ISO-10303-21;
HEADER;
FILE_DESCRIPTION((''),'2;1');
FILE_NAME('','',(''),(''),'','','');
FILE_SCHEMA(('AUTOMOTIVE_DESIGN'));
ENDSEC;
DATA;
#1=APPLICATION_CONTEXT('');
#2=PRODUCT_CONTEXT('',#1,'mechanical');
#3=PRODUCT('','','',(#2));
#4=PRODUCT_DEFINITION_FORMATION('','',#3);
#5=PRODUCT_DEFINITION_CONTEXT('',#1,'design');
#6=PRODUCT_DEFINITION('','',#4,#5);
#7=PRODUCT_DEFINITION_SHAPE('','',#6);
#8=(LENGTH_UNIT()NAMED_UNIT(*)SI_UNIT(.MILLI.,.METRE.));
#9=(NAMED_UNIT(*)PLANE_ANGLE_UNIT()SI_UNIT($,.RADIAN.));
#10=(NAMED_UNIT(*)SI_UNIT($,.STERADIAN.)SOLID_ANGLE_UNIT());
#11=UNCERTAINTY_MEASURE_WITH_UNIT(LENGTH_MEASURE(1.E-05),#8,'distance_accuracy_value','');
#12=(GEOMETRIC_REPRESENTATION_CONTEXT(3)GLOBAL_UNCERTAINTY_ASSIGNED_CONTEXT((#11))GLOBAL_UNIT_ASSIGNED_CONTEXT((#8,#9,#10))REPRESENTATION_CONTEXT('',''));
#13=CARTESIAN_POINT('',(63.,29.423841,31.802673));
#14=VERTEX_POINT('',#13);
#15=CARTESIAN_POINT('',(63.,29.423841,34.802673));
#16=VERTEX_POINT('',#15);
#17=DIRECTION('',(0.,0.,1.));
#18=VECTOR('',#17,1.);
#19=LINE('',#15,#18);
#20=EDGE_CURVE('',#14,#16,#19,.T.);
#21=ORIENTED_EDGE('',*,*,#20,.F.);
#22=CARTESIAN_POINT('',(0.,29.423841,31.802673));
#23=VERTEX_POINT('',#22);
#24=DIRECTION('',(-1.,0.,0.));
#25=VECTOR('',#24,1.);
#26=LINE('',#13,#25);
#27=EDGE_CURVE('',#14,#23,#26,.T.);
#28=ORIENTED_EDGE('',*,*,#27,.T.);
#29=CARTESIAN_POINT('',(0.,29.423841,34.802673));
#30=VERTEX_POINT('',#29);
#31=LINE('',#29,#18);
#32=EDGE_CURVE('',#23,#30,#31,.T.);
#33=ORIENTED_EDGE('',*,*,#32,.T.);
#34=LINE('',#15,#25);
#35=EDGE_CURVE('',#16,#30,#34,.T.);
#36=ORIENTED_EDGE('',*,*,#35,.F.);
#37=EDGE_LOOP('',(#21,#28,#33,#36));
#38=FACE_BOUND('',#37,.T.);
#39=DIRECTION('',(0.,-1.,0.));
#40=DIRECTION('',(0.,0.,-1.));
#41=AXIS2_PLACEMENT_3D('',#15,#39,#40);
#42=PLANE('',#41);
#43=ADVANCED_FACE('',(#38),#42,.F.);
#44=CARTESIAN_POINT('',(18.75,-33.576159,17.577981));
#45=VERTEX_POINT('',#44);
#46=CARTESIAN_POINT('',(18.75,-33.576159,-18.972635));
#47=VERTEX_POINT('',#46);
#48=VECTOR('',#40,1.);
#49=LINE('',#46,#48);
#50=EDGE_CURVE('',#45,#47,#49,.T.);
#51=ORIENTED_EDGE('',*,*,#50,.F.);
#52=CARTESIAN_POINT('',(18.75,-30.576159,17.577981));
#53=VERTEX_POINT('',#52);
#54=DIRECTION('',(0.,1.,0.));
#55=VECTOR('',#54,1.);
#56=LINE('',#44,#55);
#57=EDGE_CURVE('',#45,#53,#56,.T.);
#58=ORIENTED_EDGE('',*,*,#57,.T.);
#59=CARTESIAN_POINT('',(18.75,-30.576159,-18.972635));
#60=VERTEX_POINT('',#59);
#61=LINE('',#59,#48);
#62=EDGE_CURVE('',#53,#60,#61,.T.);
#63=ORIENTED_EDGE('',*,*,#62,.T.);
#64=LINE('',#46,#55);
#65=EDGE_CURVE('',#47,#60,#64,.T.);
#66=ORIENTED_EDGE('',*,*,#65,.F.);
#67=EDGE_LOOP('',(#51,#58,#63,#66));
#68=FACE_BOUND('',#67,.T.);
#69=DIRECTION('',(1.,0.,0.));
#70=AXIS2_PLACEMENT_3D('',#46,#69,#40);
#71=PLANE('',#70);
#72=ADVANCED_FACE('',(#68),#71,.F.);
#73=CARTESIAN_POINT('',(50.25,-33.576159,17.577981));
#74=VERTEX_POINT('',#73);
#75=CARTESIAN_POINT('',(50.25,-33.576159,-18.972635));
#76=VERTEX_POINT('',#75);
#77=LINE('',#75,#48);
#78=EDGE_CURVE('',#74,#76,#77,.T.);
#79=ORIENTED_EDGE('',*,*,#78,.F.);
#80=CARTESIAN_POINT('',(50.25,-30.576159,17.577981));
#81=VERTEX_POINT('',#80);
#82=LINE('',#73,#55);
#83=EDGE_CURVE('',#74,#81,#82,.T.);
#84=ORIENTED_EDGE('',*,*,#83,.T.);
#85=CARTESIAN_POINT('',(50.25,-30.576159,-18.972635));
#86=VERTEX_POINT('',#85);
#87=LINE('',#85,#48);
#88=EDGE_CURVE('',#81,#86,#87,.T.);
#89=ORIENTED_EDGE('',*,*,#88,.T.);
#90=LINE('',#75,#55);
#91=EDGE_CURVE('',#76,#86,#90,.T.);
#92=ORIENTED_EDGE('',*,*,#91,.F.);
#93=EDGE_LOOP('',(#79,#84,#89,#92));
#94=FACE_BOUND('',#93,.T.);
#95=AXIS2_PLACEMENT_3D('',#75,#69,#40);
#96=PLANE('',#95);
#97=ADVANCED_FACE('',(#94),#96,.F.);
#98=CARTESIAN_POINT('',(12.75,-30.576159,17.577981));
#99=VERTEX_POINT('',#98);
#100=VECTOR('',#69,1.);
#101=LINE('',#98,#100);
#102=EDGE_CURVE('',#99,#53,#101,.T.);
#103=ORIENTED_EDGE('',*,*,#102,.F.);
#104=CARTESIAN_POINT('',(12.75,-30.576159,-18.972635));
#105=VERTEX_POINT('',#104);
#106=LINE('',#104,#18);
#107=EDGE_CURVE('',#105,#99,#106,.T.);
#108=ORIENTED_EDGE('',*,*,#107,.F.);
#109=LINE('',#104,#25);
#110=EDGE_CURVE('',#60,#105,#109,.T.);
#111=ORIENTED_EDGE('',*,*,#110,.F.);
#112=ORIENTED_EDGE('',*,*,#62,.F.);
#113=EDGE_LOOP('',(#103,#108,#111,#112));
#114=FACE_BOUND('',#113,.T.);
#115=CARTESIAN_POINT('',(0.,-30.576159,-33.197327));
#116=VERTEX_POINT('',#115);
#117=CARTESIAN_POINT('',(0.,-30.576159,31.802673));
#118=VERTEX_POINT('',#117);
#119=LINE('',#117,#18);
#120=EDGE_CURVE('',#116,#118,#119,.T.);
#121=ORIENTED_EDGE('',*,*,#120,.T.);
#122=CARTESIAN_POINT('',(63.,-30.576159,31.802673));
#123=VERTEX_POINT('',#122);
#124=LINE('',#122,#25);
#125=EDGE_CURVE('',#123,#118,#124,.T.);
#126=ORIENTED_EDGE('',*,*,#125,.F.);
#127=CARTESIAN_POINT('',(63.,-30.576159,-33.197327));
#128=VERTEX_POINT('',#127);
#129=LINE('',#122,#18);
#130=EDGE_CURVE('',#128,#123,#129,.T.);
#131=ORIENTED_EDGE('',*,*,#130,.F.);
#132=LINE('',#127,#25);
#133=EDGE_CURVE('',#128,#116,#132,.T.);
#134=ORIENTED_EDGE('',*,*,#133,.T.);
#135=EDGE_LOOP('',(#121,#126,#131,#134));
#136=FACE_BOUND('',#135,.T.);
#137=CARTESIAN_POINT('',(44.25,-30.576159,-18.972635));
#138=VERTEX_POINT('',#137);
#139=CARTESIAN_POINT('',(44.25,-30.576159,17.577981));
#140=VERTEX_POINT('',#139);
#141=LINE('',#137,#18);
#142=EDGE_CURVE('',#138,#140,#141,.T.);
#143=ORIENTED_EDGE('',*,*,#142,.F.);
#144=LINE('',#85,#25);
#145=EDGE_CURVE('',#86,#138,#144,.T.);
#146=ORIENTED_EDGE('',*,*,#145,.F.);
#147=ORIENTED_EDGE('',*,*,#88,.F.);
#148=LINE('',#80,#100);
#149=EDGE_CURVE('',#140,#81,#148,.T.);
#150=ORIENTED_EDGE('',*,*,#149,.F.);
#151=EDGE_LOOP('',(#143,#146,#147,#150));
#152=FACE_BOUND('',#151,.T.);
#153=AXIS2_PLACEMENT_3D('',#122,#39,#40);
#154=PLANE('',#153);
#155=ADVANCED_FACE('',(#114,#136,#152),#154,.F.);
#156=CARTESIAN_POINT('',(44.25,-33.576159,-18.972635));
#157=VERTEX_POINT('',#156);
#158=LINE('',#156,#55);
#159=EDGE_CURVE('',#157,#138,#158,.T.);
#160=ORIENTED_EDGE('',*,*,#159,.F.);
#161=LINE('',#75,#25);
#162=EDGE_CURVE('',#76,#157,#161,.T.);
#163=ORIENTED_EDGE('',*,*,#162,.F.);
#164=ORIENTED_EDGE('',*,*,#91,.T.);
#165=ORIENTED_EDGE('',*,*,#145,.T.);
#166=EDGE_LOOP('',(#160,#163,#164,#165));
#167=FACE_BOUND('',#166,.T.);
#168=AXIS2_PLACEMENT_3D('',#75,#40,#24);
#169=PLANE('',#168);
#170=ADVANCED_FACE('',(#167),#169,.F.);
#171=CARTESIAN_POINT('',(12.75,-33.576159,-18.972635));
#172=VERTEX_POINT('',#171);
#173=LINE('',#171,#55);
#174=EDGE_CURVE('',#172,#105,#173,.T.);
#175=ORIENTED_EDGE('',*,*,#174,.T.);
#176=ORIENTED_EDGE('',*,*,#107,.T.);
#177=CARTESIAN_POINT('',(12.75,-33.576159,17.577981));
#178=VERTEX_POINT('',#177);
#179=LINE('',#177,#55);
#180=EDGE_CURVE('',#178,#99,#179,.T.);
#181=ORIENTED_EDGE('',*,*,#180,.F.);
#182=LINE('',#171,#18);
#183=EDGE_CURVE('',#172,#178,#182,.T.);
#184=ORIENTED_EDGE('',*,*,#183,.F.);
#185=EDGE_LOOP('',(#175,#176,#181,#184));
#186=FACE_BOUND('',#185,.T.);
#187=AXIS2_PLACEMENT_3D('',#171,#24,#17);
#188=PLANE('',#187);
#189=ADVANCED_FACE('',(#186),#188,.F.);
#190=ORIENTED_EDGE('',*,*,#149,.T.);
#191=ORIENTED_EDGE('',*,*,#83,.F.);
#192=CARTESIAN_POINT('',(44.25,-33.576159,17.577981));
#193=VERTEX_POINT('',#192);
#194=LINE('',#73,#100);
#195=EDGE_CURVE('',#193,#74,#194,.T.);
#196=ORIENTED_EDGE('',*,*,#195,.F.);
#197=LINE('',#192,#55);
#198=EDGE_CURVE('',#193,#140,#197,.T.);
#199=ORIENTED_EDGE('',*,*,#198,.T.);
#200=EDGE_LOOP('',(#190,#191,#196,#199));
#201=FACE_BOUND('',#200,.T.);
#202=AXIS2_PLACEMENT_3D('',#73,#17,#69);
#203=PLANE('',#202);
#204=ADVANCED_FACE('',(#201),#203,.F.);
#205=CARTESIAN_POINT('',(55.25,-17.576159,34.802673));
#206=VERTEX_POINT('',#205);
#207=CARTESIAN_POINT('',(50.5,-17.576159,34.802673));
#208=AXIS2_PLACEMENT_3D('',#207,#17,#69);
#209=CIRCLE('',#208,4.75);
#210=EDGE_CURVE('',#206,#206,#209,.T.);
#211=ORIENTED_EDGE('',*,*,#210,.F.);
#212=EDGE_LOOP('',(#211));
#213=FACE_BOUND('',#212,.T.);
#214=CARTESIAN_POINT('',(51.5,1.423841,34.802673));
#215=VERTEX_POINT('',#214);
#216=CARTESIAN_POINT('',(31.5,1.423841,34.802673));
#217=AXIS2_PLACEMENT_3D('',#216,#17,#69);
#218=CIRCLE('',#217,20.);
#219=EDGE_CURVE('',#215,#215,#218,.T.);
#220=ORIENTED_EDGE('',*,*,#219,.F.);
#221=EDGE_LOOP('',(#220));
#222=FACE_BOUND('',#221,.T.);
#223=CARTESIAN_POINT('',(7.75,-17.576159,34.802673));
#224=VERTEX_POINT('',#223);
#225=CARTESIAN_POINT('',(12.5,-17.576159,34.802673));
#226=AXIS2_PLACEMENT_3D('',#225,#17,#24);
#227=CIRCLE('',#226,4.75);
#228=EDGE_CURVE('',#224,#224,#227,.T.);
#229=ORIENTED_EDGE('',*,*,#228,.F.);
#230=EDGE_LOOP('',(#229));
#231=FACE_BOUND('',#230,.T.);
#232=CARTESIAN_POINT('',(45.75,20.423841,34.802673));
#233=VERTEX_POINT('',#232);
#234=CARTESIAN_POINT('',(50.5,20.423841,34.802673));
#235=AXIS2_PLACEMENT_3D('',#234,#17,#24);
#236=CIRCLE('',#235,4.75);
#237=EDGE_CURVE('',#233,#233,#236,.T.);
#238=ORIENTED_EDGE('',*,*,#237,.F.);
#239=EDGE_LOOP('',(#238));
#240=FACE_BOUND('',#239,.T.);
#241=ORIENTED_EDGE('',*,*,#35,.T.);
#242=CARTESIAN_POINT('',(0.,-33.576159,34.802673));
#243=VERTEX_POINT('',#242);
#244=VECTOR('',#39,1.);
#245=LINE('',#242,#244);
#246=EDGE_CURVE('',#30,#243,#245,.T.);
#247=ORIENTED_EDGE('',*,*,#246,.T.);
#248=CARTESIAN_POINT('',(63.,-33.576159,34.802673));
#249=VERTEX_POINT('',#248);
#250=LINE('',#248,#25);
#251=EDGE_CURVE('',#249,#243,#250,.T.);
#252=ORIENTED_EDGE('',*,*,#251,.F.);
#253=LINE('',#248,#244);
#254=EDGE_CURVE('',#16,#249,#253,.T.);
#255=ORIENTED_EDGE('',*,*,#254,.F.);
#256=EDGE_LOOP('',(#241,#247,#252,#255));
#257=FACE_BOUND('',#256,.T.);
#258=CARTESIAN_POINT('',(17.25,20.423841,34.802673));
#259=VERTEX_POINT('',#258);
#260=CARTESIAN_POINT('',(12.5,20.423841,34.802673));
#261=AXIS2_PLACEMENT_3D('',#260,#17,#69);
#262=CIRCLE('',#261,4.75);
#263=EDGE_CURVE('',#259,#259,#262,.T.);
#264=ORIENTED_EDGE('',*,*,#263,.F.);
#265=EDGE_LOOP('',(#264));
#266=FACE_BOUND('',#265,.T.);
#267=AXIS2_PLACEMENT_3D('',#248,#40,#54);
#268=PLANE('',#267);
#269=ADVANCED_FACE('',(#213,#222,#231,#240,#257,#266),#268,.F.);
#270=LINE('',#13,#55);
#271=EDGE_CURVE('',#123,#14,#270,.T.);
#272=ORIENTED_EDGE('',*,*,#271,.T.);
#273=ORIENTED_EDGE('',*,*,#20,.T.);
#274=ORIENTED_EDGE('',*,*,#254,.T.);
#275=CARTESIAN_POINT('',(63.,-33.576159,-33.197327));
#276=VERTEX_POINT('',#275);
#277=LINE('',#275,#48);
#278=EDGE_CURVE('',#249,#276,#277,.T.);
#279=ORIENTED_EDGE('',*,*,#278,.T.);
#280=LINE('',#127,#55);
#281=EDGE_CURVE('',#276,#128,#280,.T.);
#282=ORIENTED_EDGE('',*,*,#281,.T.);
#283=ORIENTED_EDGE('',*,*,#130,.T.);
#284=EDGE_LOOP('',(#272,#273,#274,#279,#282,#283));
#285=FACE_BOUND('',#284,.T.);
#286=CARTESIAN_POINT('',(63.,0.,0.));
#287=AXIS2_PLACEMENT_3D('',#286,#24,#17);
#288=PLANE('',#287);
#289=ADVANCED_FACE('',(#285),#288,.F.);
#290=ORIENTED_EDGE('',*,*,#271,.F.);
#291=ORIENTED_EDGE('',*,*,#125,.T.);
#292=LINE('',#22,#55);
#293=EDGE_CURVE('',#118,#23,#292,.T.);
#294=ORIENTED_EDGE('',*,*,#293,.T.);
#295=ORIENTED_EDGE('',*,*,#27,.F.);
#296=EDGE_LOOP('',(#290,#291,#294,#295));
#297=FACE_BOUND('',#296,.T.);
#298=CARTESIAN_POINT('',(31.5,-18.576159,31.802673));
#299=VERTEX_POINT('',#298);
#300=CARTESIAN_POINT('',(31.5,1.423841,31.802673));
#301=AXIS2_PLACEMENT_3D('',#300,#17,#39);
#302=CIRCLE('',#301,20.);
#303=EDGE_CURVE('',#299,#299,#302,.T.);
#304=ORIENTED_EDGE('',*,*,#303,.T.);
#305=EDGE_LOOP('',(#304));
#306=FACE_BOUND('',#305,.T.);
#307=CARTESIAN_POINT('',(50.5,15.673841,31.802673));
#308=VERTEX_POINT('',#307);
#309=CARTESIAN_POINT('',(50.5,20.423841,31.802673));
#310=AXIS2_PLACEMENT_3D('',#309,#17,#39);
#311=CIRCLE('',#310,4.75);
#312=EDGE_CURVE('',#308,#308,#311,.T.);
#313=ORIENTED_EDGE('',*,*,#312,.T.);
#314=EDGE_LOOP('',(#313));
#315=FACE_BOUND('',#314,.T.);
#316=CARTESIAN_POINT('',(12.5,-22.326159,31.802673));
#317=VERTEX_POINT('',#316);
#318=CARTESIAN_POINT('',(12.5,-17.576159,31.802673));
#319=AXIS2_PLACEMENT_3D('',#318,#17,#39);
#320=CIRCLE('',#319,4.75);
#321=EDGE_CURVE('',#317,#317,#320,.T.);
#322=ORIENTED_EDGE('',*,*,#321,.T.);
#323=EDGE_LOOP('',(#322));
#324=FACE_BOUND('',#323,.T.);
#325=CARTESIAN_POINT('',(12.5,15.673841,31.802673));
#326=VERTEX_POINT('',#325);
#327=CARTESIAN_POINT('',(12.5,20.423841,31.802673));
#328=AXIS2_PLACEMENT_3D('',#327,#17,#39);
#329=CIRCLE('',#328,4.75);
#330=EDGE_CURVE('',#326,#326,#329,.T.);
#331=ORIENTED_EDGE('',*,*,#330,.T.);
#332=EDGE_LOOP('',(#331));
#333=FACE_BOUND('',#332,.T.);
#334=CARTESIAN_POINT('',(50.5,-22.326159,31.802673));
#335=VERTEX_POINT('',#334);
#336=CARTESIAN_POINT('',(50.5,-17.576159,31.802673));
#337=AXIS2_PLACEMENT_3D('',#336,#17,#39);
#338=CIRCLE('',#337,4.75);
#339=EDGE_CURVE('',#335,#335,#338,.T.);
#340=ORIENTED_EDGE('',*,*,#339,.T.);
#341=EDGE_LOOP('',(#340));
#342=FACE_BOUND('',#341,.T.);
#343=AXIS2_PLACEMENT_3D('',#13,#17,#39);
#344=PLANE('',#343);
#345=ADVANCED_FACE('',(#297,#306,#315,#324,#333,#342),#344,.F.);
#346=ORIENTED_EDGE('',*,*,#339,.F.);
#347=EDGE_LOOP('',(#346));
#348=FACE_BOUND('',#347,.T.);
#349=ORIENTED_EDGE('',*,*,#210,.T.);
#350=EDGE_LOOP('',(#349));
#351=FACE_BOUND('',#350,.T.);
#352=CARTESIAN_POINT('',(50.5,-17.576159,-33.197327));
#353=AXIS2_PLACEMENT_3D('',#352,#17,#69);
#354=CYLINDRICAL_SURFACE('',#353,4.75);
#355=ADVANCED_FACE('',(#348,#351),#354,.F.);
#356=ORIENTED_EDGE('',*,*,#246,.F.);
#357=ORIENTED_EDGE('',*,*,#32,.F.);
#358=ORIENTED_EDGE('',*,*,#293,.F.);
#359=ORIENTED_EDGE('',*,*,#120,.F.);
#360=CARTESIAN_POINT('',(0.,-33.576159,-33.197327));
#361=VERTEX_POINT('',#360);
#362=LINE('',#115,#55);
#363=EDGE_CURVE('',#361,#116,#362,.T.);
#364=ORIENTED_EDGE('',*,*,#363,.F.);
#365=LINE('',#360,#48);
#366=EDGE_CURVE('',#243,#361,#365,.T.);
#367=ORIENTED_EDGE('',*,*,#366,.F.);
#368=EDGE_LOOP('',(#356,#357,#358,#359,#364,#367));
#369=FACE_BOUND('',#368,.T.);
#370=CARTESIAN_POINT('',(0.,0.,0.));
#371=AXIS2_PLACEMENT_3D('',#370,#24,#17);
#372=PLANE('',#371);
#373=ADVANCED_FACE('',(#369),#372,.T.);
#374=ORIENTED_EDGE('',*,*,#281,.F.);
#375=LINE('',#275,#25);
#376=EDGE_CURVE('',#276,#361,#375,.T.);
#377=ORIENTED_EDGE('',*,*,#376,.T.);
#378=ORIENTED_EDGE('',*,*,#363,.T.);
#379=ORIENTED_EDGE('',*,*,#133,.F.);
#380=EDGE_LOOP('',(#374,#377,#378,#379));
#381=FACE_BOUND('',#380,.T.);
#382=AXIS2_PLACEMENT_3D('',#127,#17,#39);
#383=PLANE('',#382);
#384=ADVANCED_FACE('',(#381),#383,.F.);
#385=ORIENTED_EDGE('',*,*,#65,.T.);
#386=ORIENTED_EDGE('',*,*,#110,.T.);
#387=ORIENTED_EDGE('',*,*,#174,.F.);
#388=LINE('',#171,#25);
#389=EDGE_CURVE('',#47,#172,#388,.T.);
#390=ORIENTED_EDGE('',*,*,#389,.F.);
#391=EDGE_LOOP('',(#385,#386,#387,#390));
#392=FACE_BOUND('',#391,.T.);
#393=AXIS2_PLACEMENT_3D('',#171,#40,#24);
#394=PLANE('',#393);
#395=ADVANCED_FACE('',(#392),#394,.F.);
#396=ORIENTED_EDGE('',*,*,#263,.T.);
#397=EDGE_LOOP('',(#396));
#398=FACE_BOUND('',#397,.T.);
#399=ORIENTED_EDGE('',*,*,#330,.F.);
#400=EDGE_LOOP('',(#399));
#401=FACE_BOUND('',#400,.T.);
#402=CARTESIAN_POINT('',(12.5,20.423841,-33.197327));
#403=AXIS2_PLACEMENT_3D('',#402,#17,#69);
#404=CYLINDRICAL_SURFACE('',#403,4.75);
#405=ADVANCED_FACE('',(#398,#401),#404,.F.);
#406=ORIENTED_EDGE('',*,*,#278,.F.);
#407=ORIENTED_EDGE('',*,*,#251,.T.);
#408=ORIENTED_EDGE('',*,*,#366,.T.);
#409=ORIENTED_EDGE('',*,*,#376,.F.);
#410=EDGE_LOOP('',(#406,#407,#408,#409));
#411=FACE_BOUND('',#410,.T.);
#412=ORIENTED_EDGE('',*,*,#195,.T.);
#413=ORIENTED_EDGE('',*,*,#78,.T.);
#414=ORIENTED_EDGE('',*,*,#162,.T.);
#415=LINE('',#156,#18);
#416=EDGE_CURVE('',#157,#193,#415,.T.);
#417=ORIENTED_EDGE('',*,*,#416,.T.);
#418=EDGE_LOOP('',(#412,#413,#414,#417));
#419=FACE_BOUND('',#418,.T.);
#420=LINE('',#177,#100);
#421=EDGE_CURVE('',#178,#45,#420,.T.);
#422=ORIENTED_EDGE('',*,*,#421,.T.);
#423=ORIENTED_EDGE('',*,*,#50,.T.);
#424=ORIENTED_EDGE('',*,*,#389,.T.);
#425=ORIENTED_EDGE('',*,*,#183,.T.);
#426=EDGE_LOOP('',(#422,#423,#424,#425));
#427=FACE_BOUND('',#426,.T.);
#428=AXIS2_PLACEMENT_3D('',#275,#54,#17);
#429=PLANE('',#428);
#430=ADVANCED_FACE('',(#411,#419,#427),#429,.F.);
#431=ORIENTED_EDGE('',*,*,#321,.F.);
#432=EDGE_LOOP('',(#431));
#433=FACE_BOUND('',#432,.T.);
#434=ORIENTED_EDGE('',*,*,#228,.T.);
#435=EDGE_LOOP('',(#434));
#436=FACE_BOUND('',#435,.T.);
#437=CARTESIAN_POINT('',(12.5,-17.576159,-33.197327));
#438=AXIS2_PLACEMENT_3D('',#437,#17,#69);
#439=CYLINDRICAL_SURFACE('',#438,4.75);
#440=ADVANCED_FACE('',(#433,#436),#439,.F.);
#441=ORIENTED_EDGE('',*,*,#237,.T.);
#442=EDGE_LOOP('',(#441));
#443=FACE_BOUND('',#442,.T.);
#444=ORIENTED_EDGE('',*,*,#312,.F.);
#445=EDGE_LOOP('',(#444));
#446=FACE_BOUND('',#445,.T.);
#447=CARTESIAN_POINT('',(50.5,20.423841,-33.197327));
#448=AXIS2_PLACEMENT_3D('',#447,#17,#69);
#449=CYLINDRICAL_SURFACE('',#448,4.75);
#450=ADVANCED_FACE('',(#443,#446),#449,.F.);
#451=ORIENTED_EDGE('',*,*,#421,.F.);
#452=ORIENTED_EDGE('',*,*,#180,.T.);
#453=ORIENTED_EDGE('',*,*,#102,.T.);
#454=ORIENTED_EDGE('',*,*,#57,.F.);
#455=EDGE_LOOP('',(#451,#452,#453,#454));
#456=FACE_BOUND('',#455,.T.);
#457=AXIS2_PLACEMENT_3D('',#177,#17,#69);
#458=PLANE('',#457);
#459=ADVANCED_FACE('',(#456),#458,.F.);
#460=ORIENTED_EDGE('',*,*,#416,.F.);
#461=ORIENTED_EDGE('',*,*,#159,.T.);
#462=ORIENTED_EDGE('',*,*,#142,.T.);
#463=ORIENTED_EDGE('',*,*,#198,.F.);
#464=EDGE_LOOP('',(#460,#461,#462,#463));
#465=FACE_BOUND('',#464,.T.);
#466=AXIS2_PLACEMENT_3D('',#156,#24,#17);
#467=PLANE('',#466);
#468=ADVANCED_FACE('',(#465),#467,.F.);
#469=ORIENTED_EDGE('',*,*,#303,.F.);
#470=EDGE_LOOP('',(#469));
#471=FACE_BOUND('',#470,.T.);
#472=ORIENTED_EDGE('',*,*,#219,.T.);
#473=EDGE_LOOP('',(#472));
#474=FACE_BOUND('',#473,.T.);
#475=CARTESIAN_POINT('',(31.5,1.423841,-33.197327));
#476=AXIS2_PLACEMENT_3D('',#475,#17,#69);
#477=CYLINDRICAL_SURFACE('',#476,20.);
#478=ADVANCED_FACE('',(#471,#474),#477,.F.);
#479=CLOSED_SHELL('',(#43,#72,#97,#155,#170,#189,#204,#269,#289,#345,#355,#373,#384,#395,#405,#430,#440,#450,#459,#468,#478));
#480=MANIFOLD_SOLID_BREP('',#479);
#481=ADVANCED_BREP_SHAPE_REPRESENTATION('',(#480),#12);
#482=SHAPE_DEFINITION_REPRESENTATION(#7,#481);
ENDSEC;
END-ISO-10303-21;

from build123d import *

# Parameters (mm, degrees)
BOSS_EXTRUDE1_DEPTH     = 63
SKETCH2_R               = 4.75
SKETCH2_R_2             = 20
CUT_EXTRUDE1_DEPTH      = 35.80267333
CUT_EXTRUDE1_DEPTH_BACK = 34.19732667
SKETCH3_W               = 6
SKETCH3_H               = 36.550616257
CUT_EXTRUDE2_DEPTH      = 4


with BuildPart() as part:
    # Sketch1 → Boss-Extrude1 (new body)
    with BuildSketch(Plane(origin=(0, 0, 0), x_dir=(0, 0, -1), z_dir=(1, 0, 0))):
        Polygon((-31.80267333, 29.42384106), (-31.80267333, -30.57615894), (33.19732667, -30.57615894), (33.19732667, -33.57615894), (-34.80267333, -33.57615894), (-34.80267333, 29.42384106), align=None)
    extrude(amount=BOSS_EXTRUDE1_DEPTH)

    # Sketch2 → Cut-Extrude1 (cut, two sides)
    with BuildSketch(Plane.XY) as cut_extrude1_sk:
        with Locations((50.5, -17.57615894)):
            Circle(SKETCH2_R)
        with Locations((50.5, 20.42384106)):
            Circle(SKETCH2_R)
        with Locations((12.5, -17.57615894)):
            Circle(SKETCH2_R)
        with Locations((12.5, 20.42384106)):
            Circle(SKETCH2_R)
        with Locations((31.5, 1.42384106)):
            Circle(SKETCH2_R_2)
    extrude(amount=CUT_EXTRUDE1_DEPTH, mode=Mode.SUBTRACT)
    extrude(cut_extrude1_sk.sketch, amount=-CUT_EXTRUDE1_DEPTH_BACK, mode=Mode.SUBTRACT)

    # Sketch3 → Cut-Extrude2 (cut, through all)
    with BuildSketch(Plane(origin=(0, -30.57615894, 0), x_dir=(1, 0, 0), z_dir=(0, 1, 0))):
        with Locations((15.75, 0.697326671)):
            Rectangle(SKETCH3_W, SKETCH3_H)
        with Locations((47.25, 0.697326671)):
            Rectangle(SKETCH3_W, SKETCH3_H)
    extrude(amount=-CUT_EXTRUDE2_DEPTH, mode=Mode.SUBTRACT)


solid = part.part
